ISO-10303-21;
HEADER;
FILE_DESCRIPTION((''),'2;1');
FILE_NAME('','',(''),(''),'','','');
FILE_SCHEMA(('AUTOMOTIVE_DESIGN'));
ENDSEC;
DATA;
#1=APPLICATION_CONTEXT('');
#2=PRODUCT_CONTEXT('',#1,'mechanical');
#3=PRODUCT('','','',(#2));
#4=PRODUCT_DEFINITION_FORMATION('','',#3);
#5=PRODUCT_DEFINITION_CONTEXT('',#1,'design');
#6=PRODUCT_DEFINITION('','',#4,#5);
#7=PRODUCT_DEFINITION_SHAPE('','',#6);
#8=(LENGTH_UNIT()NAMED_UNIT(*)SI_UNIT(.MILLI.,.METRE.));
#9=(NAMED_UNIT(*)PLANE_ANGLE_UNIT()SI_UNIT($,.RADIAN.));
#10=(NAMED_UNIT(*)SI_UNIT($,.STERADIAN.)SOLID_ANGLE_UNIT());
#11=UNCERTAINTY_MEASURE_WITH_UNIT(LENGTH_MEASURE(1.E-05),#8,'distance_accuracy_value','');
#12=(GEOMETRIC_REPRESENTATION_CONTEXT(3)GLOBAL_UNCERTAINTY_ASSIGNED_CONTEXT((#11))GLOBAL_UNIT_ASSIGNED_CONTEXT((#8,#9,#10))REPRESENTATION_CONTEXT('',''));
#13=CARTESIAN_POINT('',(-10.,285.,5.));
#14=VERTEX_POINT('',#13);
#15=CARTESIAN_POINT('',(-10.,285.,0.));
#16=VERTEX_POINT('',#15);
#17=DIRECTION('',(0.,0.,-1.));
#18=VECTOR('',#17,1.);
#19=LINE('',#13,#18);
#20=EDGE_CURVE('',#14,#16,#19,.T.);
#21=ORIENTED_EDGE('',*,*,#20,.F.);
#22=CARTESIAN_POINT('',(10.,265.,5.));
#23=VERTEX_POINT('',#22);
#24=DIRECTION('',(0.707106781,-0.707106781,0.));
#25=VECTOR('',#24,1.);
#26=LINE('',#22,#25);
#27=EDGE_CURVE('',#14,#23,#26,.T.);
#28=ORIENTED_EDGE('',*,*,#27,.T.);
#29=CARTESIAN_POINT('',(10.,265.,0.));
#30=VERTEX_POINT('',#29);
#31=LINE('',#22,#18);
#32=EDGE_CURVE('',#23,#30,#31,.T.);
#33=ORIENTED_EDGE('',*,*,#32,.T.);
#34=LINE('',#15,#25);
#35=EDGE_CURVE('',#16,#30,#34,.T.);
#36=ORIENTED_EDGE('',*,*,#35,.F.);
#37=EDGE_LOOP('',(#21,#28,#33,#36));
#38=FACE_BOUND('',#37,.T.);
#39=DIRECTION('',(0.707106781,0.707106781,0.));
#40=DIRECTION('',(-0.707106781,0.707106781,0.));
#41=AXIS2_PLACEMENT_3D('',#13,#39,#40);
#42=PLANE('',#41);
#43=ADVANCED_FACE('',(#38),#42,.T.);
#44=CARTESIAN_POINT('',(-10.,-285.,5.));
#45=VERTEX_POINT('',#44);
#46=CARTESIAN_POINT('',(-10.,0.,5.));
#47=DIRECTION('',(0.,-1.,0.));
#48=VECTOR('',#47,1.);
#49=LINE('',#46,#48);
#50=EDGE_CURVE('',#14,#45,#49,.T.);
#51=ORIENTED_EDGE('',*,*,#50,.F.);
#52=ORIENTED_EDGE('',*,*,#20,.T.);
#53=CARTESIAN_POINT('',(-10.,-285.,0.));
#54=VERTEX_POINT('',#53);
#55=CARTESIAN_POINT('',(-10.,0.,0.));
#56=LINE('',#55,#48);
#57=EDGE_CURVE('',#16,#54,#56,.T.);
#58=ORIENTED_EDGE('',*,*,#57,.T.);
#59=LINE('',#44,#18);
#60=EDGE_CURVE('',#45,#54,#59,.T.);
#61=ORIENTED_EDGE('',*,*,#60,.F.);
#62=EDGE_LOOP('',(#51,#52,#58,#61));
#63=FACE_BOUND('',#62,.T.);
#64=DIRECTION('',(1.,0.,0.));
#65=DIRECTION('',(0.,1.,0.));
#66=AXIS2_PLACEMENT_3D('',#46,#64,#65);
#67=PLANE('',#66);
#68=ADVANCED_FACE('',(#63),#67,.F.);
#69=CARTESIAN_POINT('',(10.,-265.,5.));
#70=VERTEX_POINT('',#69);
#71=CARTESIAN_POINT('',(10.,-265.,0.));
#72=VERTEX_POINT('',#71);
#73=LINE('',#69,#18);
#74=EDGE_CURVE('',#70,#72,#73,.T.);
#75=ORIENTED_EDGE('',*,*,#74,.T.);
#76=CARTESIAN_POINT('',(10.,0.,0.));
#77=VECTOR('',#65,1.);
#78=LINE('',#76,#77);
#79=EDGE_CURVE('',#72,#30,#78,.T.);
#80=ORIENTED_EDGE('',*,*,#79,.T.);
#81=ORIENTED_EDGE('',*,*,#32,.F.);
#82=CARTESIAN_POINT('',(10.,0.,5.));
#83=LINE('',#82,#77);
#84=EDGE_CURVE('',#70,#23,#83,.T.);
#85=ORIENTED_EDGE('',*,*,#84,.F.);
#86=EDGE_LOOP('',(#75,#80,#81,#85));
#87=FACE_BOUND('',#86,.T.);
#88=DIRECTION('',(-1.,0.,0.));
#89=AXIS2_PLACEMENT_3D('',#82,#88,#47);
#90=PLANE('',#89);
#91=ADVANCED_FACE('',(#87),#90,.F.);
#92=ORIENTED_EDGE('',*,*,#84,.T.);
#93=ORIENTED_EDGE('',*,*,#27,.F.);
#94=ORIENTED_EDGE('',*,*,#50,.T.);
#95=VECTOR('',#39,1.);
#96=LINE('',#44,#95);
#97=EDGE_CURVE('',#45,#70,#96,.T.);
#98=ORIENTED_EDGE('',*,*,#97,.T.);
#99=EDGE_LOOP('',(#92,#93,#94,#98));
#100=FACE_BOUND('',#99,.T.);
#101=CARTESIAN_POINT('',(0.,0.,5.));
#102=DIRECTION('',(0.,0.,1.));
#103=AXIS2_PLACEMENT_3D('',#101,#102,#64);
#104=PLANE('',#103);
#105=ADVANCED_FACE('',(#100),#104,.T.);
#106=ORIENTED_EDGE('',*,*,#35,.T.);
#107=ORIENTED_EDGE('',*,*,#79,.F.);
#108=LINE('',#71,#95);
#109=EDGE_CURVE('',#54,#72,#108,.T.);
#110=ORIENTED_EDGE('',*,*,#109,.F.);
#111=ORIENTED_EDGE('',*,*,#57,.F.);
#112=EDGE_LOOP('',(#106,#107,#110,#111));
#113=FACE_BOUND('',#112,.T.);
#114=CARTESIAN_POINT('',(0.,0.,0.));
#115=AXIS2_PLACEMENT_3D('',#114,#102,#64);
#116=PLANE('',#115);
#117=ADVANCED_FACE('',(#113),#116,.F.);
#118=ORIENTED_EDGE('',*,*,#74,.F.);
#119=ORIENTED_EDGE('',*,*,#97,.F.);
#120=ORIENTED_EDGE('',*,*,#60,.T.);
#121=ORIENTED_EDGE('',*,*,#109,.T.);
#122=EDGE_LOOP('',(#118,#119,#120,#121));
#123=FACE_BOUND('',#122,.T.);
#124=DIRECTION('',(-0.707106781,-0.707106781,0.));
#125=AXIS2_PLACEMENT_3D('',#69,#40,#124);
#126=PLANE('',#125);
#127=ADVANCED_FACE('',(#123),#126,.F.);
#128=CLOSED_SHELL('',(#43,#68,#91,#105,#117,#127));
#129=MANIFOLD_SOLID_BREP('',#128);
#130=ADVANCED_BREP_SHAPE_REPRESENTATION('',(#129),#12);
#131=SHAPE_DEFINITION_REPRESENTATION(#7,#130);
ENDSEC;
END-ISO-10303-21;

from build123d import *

# Parameters (mm, degrees)
BOSS_EXTRU_1_DEPTH = 5


with BuildPart() as part:
    # Esquisse1 → Boss.-Extru.1 (new body)
    with BuildSketch(Plane.XY):
        Polygon((0, 0), (10, 0), (10, -265), (0, -275), (-10, -285), (-10, 0), align=None)
    boss_extru_1 = extrude(amount=BOSS_EXTRU_1_DEPTH)

    # Symétrie1: Boss.-Extru.1 across plane
    add(boss_extru_1.mirror(Plane(origin=(0, 0, 5), x_dir=(0, 0, 1), z_dir=(0, -1, 0))))


solid = part.part
